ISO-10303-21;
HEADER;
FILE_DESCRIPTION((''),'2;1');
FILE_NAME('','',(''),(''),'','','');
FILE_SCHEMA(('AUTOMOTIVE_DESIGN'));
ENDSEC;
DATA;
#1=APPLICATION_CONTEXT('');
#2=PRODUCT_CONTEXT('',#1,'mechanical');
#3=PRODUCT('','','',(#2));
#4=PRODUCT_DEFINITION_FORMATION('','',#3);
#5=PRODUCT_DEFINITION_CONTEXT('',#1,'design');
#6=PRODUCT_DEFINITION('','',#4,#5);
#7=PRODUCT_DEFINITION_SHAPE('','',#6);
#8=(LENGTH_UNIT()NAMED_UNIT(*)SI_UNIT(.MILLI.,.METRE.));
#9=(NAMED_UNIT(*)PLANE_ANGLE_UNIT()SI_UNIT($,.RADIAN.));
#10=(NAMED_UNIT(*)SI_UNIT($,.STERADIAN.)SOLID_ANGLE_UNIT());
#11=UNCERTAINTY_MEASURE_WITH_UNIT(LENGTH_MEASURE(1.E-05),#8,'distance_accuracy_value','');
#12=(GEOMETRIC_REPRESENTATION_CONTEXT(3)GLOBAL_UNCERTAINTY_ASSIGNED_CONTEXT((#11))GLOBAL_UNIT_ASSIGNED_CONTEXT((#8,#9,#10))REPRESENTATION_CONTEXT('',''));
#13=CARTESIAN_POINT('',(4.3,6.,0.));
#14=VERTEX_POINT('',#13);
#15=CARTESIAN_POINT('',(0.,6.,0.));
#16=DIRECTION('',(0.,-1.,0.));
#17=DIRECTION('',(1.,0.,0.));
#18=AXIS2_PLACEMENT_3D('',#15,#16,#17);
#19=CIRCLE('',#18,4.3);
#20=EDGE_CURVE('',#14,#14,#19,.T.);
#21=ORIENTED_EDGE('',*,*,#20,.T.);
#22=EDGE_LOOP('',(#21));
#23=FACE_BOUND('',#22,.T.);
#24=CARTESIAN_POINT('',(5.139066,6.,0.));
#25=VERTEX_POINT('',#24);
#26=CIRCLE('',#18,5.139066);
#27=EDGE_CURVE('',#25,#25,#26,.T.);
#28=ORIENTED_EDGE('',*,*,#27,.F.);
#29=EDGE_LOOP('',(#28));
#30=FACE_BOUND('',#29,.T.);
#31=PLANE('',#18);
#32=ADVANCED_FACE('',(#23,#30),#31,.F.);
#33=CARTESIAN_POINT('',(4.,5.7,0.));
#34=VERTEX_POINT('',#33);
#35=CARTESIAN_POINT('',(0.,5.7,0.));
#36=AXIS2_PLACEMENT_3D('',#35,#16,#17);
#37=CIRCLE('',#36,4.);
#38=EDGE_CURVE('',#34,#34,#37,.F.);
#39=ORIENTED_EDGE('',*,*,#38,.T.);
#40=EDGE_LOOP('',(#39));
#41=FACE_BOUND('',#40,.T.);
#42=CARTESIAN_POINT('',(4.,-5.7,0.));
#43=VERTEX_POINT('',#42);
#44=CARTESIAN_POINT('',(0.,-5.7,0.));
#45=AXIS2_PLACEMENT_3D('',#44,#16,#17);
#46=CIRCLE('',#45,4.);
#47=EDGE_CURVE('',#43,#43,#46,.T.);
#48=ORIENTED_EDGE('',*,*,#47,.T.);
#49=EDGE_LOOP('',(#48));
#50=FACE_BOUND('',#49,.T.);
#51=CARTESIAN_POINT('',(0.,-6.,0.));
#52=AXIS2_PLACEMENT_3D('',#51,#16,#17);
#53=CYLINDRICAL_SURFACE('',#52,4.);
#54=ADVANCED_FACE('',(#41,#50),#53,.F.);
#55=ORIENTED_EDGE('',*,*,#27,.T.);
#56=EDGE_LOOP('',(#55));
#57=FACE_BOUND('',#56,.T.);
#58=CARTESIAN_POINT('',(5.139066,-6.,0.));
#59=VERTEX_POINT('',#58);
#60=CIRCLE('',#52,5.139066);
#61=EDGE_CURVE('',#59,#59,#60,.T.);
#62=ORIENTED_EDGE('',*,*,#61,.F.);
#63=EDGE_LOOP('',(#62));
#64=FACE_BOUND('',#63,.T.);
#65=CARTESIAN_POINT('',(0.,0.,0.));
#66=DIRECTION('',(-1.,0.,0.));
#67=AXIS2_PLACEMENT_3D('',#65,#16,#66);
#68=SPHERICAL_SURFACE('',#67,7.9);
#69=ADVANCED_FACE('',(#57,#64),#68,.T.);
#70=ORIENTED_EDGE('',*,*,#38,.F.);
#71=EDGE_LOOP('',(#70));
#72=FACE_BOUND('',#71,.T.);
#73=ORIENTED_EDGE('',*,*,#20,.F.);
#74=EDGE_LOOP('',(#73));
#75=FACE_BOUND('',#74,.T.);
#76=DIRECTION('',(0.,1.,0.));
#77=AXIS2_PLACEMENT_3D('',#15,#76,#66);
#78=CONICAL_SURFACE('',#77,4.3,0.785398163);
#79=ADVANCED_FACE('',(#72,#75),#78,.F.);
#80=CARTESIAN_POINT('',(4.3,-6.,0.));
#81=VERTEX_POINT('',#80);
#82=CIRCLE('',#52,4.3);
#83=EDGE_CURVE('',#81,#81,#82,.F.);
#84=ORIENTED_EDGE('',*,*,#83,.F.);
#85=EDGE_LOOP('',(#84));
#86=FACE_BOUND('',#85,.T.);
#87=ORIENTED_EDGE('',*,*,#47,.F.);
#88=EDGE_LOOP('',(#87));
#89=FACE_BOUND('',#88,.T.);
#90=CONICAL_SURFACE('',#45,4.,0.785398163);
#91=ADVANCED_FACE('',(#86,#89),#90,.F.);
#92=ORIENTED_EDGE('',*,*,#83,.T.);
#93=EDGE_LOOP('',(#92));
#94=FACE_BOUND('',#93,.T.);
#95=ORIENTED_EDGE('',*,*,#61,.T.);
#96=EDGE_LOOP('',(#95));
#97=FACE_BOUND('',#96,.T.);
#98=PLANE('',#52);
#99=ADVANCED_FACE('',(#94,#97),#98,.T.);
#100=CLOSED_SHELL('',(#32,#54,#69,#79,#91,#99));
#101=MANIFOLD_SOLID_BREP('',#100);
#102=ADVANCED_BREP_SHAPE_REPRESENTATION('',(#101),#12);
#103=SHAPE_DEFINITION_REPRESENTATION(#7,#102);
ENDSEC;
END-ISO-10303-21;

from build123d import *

# Parameters (mm, degrees)
CHAMFER1_SIZE = 0.3


with BuildPart() as part:
    # Sketch1 → Revolve1 (revolve)
    with BuildSketch(Plane.XY):
        with BuildLine():
            Line((-4, -6), (-4, 6))
            Line((-4, 6), (-5.139066063, 6))
            ThreePointArc((-5.139066063, 6), (-7.9, 0), (-5.139066063, -6))
            Line((-5.139066063, -6), (-4, -6))
        make_face()
    revolve(axis=Axis((0, -6, 0), (0, 1, 0)))

    # Chamfer1
    chamfer1_edges = [part.edges().sort_by_distance(p)[0] for p in [
        (4, 6, 0),
        (4, -6, 0),
    ]]
    chamfer(chamfer1_edges, length=CHAMFER1_SIZE)


solid = part.part
